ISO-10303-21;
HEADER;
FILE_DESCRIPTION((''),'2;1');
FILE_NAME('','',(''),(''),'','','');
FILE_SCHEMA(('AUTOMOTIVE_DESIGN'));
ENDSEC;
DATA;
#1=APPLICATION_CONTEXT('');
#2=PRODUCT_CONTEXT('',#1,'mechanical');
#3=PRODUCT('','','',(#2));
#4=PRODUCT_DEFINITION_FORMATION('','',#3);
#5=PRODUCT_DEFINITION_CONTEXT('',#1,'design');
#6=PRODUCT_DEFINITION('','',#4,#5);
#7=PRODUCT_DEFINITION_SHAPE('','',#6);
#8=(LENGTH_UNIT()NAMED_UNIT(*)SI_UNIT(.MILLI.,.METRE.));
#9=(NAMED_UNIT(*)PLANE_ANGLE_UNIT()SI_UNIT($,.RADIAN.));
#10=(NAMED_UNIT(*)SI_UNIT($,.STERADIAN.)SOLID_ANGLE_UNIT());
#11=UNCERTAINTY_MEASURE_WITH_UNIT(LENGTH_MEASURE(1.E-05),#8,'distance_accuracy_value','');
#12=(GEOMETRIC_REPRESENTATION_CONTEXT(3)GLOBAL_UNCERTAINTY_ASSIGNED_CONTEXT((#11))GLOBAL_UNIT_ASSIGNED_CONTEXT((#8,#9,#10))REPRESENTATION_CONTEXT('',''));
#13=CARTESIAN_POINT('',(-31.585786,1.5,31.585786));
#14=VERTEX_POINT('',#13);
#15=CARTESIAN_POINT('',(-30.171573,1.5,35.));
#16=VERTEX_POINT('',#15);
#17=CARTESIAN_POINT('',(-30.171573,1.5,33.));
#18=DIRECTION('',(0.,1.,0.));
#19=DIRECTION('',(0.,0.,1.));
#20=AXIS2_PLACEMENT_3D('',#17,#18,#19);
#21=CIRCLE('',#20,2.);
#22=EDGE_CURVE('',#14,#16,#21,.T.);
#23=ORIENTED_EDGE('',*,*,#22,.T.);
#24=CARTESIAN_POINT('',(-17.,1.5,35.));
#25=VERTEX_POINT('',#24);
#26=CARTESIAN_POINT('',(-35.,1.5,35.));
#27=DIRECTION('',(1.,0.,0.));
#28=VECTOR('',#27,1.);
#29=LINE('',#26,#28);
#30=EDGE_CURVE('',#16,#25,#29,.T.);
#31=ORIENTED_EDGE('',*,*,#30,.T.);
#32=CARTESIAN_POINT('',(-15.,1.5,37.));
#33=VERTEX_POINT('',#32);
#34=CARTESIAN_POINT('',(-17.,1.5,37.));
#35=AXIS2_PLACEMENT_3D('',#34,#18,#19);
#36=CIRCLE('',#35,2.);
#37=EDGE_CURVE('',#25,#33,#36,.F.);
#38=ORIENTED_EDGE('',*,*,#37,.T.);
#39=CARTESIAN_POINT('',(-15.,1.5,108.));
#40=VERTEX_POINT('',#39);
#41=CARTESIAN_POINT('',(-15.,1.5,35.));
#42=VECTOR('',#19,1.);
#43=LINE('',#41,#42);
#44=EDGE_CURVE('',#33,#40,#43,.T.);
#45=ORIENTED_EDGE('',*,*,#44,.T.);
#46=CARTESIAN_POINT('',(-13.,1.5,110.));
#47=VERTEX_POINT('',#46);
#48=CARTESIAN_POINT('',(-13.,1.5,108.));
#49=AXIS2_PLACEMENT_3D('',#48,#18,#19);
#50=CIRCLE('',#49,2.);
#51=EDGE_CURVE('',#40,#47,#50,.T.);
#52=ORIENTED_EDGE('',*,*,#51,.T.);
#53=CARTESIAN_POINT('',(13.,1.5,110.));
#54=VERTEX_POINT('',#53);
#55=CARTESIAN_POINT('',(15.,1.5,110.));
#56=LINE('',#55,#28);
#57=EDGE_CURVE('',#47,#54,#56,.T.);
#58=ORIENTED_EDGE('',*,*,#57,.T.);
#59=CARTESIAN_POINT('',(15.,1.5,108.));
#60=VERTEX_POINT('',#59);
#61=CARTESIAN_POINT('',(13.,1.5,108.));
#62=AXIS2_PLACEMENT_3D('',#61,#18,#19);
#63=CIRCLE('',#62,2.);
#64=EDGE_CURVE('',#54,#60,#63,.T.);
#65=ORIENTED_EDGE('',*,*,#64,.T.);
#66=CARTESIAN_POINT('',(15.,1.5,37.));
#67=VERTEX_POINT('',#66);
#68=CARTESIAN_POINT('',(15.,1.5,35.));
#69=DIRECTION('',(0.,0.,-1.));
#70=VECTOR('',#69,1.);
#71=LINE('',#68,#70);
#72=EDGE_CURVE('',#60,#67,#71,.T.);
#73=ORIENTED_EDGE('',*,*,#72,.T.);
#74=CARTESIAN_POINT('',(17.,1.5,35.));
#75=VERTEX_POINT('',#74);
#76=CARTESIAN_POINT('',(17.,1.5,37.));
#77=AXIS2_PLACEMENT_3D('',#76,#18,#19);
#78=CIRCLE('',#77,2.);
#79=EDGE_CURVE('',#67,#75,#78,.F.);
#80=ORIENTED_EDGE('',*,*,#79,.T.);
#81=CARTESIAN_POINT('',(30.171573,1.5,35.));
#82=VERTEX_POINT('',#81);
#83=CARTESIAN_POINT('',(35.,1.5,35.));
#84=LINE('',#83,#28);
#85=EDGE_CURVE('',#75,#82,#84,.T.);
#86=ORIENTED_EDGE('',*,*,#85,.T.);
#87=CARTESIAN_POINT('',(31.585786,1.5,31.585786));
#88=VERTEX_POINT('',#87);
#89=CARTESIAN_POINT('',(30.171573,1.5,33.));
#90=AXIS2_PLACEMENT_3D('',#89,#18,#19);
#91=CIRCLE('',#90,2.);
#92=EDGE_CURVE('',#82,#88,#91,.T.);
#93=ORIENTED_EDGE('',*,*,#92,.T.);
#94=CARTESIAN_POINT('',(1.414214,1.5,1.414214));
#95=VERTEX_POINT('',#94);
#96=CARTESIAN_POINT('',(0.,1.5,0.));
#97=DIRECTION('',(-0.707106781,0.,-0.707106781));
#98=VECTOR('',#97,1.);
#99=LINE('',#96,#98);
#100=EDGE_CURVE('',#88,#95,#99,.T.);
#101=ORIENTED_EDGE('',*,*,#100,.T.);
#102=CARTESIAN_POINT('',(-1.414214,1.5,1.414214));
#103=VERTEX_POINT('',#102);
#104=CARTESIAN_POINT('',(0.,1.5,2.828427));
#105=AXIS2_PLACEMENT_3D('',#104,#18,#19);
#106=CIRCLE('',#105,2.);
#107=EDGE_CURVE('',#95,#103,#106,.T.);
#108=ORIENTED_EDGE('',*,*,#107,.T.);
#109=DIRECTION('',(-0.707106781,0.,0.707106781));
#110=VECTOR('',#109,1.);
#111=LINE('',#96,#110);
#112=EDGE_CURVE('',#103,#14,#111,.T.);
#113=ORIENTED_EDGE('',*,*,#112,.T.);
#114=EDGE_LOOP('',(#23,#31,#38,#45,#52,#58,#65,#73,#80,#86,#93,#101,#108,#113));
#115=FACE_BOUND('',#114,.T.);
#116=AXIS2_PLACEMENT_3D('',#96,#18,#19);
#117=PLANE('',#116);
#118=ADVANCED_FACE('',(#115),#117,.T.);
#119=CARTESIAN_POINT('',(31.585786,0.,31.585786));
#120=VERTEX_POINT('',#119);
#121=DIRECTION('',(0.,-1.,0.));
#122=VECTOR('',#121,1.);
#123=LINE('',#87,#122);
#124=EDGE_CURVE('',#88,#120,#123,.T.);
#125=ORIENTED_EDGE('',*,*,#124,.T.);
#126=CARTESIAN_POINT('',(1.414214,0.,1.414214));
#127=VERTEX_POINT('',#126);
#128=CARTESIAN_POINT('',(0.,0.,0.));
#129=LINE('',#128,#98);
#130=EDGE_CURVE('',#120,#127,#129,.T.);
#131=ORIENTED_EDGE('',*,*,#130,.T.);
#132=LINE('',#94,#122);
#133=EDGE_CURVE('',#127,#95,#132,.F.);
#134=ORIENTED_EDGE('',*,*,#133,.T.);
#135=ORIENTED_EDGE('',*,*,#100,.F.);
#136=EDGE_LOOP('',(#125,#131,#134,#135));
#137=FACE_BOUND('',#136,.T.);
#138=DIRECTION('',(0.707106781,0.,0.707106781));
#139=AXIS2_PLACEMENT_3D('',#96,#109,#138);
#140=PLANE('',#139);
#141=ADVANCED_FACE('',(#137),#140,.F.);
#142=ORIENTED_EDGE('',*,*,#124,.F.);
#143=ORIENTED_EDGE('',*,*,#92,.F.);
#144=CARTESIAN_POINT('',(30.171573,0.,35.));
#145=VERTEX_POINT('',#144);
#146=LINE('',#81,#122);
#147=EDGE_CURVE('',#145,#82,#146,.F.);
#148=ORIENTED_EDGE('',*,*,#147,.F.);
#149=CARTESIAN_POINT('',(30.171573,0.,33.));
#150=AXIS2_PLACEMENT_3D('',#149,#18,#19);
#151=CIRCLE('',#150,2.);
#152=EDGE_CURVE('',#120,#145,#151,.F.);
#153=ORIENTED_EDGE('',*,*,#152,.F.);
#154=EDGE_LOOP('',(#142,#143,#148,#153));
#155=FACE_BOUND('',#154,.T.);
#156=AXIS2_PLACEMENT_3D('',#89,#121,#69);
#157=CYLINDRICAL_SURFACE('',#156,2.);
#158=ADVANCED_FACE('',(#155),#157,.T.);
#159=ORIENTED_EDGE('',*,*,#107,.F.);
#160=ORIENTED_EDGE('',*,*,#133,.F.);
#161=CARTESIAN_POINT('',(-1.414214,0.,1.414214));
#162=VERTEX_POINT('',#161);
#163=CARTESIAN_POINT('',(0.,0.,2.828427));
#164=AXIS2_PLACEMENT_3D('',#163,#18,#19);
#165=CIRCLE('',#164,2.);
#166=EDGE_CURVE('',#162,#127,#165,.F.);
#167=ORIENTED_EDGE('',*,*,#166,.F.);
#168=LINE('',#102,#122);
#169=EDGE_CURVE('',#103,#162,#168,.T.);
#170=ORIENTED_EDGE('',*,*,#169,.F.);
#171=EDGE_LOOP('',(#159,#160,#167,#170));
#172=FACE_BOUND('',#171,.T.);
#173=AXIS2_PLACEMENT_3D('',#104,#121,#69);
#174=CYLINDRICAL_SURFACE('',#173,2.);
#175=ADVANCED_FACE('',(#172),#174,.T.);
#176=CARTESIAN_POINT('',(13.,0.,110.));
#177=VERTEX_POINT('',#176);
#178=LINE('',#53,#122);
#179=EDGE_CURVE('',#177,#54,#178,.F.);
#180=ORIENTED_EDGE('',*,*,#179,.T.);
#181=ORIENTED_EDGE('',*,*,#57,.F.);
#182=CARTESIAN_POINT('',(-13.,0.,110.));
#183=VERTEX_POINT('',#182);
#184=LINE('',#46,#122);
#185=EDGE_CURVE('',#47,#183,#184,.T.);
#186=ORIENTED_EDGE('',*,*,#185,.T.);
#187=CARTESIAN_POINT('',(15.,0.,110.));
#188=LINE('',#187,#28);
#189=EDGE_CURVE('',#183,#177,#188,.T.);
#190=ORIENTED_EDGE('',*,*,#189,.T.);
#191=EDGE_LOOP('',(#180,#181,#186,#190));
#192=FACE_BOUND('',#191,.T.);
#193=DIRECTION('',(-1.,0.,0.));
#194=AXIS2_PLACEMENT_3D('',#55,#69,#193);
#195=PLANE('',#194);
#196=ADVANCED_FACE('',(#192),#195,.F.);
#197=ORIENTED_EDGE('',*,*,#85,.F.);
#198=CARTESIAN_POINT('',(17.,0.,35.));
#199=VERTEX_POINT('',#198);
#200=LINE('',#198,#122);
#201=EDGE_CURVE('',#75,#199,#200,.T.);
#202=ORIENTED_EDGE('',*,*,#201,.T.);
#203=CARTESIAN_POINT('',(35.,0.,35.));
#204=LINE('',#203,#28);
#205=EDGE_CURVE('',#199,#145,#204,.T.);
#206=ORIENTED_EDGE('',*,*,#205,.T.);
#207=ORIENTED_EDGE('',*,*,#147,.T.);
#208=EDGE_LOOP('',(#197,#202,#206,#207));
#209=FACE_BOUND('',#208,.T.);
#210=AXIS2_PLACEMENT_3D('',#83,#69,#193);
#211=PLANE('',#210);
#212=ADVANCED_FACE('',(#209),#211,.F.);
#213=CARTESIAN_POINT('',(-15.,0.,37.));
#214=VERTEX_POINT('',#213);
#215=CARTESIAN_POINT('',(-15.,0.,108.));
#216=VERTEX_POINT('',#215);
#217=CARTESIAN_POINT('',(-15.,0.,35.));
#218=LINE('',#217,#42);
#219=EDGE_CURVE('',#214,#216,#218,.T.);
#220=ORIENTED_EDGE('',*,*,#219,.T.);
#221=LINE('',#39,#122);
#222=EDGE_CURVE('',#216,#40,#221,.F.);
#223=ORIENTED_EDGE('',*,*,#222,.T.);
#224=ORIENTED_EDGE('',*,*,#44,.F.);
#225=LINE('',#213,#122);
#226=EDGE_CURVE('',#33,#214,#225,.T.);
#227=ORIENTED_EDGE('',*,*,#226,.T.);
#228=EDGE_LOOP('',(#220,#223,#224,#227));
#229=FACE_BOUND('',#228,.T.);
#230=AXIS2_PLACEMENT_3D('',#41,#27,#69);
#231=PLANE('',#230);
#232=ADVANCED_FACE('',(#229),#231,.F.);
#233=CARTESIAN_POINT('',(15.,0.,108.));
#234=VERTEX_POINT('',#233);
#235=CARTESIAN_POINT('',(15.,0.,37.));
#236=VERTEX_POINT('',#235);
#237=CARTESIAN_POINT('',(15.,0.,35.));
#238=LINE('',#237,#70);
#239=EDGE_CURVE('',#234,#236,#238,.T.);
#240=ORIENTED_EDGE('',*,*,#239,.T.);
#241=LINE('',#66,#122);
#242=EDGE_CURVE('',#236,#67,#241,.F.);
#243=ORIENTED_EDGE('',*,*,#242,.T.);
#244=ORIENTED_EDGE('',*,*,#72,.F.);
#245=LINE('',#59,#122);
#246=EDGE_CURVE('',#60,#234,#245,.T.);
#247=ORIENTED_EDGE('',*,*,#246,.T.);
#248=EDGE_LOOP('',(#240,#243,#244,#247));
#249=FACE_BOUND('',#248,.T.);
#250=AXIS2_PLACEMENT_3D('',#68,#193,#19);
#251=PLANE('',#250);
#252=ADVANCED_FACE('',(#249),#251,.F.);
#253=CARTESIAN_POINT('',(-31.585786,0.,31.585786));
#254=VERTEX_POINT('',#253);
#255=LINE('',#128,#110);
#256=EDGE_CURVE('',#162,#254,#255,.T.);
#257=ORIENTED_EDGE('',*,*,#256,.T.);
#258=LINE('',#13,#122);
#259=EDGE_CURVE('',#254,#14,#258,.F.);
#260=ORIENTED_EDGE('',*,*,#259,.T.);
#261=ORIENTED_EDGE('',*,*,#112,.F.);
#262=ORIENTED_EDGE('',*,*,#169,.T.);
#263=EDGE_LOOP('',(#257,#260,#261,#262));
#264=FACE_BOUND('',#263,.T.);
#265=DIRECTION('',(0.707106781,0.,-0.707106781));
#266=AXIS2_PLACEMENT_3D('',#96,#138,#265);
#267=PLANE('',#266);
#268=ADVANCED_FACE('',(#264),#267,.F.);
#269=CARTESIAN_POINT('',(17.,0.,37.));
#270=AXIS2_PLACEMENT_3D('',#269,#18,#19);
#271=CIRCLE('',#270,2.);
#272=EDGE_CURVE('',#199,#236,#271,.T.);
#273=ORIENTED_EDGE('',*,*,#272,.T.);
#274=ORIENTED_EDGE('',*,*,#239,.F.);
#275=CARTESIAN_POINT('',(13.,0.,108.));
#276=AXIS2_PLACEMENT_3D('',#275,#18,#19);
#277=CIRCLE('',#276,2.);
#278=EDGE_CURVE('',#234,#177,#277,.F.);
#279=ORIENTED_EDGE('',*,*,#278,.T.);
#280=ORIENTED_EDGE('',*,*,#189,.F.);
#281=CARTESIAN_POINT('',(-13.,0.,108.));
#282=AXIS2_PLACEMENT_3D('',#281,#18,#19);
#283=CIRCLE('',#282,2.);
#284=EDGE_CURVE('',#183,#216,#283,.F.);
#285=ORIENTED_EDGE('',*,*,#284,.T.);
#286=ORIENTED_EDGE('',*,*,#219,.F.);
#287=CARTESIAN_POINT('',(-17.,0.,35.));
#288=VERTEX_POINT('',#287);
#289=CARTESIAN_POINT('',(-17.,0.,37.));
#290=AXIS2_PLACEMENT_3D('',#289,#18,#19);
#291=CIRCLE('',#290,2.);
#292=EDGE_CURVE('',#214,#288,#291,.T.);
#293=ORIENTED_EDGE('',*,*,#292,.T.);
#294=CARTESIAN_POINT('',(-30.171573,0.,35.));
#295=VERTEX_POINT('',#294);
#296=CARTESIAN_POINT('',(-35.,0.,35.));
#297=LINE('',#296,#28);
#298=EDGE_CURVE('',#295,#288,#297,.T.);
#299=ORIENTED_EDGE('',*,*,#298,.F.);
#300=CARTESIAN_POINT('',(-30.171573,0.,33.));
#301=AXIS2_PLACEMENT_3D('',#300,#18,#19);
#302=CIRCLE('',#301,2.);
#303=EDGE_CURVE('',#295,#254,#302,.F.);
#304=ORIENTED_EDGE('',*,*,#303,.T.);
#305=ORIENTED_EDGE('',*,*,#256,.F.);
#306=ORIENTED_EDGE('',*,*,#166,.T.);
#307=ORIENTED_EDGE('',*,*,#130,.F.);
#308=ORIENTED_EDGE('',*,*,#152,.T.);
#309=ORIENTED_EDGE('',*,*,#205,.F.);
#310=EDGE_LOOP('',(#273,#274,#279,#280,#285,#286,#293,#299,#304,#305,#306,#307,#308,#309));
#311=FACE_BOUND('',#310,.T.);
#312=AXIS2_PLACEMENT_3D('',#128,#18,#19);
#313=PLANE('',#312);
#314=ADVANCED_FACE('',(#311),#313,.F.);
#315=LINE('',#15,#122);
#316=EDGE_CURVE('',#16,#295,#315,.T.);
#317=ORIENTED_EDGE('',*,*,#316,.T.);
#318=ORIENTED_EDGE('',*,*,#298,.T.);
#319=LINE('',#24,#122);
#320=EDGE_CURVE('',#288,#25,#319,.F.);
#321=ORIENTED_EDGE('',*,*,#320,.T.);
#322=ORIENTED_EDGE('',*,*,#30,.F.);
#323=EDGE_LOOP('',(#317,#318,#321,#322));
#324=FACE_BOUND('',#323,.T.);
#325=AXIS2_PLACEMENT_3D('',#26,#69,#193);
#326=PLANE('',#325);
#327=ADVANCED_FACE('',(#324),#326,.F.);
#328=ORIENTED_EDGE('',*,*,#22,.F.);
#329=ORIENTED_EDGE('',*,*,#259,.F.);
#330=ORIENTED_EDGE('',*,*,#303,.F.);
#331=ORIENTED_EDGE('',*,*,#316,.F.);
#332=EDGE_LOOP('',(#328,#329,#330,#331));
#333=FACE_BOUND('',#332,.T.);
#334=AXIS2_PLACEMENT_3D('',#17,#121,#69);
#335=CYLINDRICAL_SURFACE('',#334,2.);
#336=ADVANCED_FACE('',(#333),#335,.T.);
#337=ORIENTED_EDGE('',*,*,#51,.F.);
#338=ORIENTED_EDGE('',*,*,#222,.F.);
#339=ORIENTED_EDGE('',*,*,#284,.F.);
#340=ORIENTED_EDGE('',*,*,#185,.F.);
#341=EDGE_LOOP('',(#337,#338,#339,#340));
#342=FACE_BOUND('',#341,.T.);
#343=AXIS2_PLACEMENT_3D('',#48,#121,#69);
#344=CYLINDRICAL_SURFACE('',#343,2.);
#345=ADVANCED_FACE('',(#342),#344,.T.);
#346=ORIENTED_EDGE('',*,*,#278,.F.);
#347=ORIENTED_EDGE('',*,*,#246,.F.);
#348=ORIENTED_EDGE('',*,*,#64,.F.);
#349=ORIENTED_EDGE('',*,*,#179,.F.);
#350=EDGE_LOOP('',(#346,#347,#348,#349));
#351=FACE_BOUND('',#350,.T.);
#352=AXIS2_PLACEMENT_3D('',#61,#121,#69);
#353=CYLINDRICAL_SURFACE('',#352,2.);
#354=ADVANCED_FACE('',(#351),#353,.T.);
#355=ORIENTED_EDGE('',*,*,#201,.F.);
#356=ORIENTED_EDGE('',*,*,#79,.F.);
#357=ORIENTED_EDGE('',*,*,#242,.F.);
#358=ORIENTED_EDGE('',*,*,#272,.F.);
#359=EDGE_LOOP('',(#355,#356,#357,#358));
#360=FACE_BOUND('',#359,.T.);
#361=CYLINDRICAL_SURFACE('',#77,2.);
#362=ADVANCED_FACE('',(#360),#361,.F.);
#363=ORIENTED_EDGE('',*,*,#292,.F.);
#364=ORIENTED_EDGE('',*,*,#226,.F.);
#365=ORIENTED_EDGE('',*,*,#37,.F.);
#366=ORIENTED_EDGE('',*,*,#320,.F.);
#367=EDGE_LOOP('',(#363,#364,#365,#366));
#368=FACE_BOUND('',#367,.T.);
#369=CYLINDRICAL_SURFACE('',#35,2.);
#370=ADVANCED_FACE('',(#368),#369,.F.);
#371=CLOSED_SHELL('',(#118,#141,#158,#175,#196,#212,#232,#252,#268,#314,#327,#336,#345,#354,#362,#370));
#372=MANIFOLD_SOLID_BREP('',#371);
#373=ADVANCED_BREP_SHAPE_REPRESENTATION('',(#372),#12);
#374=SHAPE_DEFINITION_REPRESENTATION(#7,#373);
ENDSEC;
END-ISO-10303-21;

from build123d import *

# Parameters (mm, degrees)
BOSS_EXTRUDE1_DEPTH = 1.5
FILLET1_R           = 2


with BuildPart() as part:
    # Sketch1 → Boss-Extrude1 (new body)
    with BuildSketch(Plane(origin=(0, 0, 0), x_dir=(1, 0, 0), z_dir=(0, 1, 0))):
        Polygon((0, 0), (35, -35), (15, -35), (15, -110), (-15, -110), (-15, -35), (-35, -35), align=None)
    extrude(amount=BOSS_EXTRUDE1_DEPTH)

    # Fillet1
    fillet1_edges = [part.edges().sort_by_distance(p)[0] for p in [
        (0, 0.75, 0),
        (35, 0.75, 35),
        (15, 0.75, 35),
        (15, 0.75, 110),
        (-15, 0.75, 110),
        (-15, 0.75, 35),
        (-35, 0.75, 35),
    ]]
    fillet(fillet1_edges, radius=FILLET1_R)


solid = part.part
